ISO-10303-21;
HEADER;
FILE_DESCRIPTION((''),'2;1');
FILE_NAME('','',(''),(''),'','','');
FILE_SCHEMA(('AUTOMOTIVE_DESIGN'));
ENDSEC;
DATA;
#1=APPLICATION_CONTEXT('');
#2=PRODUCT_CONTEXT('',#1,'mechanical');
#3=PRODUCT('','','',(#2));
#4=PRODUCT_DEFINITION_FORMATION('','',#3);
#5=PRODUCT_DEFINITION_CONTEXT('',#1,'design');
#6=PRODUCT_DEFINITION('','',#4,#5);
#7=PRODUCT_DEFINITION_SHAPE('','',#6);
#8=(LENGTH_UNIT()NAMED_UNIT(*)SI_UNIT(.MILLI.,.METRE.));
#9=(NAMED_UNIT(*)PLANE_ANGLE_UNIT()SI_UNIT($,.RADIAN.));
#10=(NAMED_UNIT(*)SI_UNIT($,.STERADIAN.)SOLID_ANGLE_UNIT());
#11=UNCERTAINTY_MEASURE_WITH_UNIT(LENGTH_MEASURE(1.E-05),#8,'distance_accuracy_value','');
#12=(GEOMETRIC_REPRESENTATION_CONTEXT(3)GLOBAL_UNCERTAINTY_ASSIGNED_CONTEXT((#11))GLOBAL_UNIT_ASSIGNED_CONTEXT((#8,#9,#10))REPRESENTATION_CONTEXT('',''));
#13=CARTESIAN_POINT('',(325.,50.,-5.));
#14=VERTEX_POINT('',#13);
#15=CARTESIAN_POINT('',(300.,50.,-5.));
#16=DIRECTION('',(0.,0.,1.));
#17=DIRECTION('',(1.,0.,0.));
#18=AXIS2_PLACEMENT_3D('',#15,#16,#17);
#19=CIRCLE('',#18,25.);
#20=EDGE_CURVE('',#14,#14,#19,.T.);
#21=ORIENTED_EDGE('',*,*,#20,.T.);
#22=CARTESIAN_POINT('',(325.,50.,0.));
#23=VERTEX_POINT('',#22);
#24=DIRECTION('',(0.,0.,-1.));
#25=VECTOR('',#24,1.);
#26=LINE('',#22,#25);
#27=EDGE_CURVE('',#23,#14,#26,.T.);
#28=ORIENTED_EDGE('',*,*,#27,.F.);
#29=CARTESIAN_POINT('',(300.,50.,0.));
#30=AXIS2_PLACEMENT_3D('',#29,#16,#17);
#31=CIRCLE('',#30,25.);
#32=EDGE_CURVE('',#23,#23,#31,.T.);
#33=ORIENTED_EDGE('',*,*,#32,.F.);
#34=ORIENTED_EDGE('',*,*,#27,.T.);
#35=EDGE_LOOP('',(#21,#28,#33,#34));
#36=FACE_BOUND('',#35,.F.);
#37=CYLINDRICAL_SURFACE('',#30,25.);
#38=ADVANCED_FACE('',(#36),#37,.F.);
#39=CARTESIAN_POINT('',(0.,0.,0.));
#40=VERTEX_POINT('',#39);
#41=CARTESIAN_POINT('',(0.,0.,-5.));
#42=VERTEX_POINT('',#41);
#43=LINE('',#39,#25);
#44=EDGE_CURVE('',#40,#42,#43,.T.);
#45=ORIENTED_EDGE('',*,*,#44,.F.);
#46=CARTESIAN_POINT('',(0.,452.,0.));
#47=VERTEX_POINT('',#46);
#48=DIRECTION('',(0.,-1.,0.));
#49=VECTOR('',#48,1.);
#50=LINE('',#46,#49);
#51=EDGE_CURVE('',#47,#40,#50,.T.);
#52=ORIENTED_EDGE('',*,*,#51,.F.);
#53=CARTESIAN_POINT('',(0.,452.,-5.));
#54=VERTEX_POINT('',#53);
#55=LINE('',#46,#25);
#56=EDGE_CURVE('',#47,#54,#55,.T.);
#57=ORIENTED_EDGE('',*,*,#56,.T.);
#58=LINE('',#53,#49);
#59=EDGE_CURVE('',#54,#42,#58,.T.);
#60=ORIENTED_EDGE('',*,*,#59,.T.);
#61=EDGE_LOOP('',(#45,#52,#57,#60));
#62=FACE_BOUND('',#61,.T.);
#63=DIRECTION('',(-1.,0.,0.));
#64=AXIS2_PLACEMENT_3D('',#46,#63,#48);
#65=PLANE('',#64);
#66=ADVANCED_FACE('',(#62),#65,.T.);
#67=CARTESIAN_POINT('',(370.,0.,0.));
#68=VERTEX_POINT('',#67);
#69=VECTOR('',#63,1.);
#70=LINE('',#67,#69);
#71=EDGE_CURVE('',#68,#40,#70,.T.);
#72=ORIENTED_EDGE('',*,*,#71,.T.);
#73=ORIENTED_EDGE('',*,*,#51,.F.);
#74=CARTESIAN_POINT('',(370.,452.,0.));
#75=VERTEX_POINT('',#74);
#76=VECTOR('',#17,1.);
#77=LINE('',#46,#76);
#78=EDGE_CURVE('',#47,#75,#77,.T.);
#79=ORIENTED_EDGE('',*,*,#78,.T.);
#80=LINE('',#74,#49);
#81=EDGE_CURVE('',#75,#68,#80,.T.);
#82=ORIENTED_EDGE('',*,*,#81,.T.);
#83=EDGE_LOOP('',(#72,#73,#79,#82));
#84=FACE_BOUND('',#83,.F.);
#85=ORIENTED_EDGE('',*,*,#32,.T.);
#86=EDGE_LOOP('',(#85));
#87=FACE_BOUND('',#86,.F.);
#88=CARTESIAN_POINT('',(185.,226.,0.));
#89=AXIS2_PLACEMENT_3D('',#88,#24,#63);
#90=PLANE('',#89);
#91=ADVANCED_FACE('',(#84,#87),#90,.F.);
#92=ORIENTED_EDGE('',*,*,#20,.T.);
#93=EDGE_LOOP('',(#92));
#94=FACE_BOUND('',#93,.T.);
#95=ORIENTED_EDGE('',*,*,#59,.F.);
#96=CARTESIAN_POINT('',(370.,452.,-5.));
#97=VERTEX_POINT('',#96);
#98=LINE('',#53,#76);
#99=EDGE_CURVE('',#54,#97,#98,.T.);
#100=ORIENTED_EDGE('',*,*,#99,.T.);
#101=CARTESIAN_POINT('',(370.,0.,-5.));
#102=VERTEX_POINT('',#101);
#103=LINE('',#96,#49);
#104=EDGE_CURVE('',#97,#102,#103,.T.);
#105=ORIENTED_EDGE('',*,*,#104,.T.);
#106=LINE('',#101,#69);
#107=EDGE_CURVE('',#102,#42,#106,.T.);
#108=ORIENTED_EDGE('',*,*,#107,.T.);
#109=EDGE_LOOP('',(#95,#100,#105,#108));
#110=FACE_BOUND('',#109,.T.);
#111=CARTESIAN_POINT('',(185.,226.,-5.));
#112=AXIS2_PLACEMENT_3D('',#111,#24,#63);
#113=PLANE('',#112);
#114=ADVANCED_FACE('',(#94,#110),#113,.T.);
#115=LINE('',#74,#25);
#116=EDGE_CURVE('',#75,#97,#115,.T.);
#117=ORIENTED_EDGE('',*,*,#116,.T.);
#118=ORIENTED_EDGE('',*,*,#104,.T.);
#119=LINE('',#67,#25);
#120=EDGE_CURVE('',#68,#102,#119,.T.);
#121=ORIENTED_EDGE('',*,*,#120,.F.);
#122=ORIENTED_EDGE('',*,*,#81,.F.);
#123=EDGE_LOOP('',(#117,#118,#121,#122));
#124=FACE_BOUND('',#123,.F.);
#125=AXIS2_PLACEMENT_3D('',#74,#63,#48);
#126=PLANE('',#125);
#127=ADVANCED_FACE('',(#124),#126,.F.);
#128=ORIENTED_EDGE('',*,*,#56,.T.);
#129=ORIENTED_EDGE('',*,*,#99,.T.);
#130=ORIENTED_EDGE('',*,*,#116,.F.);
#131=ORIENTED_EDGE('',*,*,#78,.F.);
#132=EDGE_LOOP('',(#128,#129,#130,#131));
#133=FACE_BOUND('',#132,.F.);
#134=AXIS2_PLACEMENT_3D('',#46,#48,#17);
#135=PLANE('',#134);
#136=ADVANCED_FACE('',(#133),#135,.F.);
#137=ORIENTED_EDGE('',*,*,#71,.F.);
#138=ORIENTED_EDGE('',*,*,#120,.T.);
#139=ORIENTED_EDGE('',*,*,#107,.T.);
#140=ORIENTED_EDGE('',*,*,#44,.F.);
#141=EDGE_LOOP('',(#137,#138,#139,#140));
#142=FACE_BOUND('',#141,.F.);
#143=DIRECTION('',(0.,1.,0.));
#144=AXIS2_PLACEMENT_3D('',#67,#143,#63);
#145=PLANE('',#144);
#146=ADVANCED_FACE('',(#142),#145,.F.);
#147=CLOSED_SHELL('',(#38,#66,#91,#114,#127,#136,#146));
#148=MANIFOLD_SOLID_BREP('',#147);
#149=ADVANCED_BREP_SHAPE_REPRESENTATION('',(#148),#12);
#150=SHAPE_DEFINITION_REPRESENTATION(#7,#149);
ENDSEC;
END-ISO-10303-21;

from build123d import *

# Parameters (mm, degrees)
PAD_DEPTH    = 5
SKETCH002_R  = 25
POCKET_DEPTH = 5.001


with BuildPart() as part:
    # Sketch → Pad (new body)
    with BuildSketch(Plane.XY):
        Polygon((0, 413.879036), (0, 452), (370, 452), (370, 0), (0, 0), align=None)
    extrude(amount=-PAD_DEPTH)

    # Sketch002 (on Face6 of Pad) → Pocket (cut, through all)
    with BuildSketch(Plane.XY):
        with Locations((300, 50)):
            Circle(SKETCH002_R)
    extrude(amount=-POCKET_DEPTH, mode=Mode.SUBTRACT)


solid = part.part
